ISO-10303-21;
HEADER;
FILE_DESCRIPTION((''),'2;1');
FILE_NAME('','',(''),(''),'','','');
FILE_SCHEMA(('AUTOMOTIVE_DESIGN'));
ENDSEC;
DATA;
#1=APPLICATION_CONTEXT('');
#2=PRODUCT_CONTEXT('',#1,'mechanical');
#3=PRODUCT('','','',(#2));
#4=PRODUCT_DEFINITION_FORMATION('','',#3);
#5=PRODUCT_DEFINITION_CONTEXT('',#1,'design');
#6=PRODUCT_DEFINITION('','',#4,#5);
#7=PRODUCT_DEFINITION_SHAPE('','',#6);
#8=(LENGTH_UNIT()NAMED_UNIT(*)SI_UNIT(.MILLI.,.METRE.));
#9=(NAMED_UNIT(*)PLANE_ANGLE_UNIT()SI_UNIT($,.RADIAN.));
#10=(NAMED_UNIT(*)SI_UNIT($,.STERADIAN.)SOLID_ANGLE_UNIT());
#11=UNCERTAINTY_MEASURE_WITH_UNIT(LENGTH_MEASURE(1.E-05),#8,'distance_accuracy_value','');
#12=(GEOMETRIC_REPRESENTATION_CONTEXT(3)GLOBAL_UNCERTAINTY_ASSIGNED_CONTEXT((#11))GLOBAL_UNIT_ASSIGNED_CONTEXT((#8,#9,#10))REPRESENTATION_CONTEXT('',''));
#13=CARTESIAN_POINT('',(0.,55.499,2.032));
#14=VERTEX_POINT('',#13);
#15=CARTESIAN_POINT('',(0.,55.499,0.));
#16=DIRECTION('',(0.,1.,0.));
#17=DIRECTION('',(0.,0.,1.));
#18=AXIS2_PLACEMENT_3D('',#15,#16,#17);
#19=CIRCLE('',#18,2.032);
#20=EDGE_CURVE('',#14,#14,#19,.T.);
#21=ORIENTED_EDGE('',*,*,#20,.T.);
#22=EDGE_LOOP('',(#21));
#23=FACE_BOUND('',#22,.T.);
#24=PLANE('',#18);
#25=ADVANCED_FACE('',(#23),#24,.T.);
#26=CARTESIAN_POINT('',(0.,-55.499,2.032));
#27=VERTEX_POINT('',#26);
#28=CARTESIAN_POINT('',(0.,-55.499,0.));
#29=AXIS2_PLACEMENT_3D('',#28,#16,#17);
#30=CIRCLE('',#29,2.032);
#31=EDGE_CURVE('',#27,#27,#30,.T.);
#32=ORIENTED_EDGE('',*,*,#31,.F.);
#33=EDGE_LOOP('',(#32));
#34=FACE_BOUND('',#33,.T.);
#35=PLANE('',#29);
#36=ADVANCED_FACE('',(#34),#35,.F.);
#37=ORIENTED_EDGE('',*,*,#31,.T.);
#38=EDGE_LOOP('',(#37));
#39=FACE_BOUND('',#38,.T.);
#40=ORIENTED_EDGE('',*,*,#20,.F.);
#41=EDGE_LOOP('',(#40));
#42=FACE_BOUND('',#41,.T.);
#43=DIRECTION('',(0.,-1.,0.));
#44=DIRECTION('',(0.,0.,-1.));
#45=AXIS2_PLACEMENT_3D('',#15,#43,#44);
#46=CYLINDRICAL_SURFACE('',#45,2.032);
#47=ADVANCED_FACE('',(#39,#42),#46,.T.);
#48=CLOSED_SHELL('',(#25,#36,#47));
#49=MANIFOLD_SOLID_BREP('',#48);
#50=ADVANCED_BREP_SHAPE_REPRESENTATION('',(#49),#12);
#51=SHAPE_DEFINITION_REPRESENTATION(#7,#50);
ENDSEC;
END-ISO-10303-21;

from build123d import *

# Parameters (mm, degrees)
SKETCH1_R           = 2.032
BOSS_EXTRUDE1_DEPTH = 55.499


with BuildPart() as part:
    # Sketch1 → Boss-Extrude1 (new, symmetric)
    with BuildSketch(Plane(origin=(0, 0, 0), x_dir=(1, 0, 0), z_dir=(0, 1, 0))):
        with Locations(Location((0, 0, 0), (0, 0, 270))):
            Circle(SKETCH1_R)
    extrude(amount=BOSS_EXTRUDE1_DEPTH, both=True)


solid = part.part
